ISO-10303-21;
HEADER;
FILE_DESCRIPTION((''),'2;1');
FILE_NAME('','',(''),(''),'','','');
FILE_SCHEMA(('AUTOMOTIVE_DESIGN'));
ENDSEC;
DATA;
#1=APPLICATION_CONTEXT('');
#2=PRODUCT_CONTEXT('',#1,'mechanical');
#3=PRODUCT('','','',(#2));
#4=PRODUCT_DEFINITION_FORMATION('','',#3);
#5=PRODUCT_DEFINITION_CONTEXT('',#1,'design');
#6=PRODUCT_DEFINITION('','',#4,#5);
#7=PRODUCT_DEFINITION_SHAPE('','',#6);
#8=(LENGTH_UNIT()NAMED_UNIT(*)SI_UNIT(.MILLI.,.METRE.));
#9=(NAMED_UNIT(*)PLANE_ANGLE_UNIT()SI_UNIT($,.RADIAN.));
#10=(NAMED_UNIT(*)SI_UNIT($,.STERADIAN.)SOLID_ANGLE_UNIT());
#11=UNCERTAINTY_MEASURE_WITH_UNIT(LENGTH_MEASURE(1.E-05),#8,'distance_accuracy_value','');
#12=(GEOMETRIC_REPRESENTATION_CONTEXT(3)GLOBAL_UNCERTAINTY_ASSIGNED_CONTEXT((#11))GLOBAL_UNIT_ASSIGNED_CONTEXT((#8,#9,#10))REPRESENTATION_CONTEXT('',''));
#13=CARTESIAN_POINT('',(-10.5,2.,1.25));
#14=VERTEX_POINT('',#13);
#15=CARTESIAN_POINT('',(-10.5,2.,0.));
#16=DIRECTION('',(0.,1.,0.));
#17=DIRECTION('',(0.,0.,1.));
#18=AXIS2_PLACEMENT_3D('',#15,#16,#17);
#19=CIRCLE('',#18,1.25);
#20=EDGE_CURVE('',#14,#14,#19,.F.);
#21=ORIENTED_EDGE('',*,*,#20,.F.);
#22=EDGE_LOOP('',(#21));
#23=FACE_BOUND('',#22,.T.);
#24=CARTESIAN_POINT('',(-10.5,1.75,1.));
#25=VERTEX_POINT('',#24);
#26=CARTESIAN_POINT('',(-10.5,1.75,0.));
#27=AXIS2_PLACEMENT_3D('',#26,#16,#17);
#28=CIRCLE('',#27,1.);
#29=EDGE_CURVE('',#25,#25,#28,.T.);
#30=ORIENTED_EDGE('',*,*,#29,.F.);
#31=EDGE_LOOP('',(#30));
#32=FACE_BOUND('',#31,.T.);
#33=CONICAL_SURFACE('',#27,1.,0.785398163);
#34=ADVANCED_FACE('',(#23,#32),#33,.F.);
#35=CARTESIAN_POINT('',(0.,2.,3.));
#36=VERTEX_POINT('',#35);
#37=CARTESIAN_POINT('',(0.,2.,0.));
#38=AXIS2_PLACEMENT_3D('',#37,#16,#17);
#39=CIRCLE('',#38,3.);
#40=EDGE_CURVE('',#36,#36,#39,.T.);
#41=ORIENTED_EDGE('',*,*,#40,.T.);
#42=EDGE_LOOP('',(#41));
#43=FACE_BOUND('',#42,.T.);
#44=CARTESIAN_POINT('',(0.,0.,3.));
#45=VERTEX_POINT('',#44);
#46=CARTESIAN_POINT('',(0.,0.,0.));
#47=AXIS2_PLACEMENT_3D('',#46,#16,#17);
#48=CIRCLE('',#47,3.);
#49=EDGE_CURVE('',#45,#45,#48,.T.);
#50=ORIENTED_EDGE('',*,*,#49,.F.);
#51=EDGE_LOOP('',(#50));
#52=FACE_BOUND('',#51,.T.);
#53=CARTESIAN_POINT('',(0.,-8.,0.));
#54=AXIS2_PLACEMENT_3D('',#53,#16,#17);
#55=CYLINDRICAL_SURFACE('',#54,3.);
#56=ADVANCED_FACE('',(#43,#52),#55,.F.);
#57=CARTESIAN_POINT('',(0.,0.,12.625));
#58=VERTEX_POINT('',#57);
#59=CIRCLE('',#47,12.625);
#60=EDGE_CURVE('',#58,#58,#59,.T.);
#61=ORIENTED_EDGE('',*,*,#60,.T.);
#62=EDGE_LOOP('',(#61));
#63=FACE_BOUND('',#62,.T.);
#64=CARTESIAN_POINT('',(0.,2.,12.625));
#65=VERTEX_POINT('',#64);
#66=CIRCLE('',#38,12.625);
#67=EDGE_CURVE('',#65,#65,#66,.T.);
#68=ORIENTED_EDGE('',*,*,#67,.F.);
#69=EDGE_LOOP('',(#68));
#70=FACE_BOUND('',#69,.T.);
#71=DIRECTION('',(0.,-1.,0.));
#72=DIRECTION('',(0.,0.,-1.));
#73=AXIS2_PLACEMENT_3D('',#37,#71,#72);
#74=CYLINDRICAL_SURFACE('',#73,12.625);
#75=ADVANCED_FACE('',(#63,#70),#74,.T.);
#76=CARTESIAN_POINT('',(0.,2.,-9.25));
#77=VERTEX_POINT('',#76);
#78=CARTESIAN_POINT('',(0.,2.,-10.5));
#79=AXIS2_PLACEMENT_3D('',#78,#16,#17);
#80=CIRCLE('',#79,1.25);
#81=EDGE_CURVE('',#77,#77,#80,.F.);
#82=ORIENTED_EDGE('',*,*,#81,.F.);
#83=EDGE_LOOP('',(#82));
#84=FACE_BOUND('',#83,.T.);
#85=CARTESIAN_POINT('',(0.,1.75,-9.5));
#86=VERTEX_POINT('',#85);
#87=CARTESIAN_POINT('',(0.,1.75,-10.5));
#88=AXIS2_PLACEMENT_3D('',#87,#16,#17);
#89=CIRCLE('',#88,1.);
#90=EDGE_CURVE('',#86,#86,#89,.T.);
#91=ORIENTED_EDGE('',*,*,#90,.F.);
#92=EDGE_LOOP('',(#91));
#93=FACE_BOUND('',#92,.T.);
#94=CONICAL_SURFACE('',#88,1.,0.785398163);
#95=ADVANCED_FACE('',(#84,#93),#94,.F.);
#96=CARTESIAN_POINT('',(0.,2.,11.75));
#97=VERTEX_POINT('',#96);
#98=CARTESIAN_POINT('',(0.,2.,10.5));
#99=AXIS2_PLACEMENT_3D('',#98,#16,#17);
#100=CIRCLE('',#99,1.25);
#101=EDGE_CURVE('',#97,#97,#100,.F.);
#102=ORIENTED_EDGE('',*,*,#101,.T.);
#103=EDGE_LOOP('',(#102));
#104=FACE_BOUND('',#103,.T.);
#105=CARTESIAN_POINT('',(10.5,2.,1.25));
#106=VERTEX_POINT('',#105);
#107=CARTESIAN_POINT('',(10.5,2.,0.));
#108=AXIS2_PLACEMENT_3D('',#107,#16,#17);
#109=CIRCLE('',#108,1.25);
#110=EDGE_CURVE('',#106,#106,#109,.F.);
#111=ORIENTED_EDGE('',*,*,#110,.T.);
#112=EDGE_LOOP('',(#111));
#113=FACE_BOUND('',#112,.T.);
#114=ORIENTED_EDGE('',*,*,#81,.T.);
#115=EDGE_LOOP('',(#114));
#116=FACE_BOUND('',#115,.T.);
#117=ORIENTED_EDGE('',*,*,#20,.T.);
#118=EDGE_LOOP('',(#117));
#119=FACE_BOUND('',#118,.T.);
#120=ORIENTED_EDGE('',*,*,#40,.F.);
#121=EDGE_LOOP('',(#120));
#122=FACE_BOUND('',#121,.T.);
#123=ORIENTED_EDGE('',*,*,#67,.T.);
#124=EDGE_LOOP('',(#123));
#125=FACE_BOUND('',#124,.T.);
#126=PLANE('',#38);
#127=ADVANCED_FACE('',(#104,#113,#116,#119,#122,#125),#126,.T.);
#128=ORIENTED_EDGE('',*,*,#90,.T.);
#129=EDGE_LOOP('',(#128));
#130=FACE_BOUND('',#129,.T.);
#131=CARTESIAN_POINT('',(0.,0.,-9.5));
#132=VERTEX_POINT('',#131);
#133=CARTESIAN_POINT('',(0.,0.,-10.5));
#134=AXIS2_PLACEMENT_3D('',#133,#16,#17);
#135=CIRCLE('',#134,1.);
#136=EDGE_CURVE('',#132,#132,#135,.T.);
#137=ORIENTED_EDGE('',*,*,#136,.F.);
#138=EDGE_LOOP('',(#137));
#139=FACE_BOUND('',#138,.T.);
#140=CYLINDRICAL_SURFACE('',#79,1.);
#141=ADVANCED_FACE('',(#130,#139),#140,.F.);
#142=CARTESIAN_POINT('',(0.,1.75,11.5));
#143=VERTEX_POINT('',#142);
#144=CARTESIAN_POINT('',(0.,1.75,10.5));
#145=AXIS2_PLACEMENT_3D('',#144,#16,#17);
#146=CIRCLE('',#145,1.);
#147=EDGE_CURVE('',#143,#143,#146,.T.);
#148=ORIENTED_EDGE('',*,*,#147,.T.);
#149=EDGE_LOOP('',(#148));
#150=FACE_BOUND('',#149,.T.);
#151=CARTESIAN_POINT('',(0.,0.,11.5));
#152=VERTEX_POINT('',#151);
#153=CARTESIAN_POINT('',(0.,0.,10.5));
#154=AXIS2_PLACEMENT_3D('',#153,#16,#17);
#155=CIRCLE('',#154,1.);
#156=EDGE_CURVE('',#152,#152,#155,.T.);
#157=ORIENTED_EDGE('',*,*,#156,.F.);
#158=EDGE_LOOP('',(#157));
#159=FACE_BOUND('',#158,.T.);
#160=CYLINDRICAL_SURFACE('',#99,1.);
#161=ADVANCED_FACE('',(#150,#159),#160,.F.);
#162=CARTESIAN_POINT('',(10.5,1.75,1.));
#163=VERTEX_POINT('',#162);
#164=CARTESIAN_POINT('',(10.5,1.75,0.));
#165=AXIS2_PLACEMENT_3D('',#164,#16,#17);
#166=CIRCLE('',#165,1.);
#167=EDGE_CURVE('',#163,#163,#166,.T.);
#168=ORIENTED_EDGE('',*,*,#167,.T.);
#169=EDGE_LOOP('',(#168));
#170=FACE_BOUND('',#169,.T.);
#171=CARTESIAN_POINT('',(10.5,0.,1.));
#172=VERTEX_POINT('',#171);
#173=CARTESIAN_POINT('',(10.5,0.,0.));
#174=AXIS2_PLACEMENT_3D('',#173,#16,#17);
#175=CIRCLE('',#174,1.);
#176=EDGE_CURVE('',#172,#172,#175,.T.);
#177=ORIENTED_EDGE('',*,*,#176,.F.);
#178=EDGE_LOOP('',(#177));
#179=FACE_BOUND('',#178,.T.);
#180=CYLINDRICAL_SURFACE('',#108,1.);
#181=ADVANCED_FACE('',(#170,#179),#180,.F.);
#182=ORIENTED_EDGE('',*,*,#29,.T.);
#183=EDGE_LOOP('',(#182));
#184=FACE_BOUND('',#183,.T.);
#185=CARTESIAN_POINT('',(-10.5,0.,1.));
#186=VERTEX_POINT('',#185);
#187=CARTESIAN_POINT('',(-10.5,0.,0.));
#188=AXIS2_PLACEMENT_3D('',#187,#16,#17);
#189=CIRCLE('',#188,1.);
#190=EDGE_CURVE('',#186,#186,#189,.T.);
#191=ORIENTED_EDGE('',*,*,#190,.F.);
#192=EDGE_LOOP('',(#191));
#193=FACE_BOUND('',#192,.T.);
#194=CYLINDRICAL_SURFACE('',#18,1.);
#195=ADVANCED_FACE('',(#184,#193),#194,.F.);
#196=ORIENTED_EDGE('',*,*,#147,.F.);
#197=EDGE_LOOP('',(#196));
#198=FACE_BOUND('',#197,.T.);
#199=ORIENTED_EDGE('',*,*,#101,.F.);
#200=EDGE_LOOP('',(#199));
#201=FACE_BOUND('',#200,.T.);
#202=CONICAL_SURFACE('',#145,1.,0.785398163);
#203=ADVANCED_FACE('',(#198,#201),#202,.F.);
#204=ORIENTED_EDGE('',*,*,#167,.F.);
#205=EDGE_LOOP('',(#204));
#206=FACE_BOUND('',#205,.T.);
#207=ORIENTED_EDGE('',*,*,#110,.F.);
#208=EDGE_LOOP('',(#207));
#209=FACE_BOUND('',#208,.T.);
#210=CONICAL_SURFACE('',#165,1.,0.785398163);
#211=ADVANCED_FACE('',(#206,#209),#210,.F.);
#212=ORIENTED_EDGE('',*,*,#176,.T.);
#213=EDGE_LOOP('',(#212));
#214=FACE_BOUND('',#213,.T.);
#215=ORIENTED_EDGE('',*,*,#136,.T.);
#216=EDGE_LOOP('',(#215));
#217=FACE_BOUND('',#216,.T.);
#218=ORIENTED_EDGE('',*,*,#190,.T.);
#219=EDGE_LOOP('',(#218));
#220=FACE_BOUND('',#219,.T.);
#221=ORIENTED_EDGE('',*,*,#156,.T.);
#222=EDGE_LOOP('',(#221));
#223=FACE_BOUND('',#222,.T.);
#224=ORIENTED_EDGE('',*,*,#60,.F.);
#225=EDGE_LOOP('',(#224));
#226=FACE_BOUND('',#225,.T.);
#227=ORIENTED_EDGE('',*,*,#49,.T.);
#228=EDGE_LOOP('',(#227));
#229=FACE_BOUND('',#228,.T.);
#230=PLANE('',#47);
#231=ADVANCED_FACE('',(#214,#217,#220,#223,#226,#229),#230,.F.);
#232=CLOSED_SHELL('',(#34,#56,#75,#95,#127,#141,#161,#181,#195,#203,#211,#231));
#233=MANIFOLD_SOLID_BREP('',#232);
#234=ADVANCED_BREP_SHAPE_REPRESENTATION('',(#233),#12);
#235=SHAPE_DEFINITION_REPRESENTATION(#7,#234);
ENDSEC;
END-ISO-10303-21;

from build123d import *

# Parameters (mm, degrees)
SKETCH1_R             = 12.625
BOSS_EXTRUDE1_DEPTH   = 2
SKETCH2_R             = 0.5
CUT_EXTRUDE1_DEPTH    = 18.966113937
F_2_0MM_DOWEL_HOLE1_D = 2
CHAMFER1_SIZE         = 0.25
SKETCH4_R             = 3
CUT_EXTRUDE2_DEPTH    = 10


with BuildPart() as part:
    # Sketch1 → Boss-Extrude1 (new body)
    with BuildSketch(Plane(origin=(0, 0, 0), x_dir=(1, 0, 0), z_dir=(0, 1, 0))):
        with Locations(Location((0, 0, 0), (0, 0, 270))):
            Circle(SKETCH1_R)
    extrude(amount=BOSS_EXTRUDE1_DEPTH)

    # Sketch2 → Cut-Extrude1 (cut, through all)
    with BuildSketch(Plane(origin=(0, 2, 0), x_dir=(1, 0, 0), z_dir=(0, 1, 0))):
        with Locations(Location((0, 10.5, 0), (0, 0, 270))):
            Circle(SKETCH2_R)
        with Locations(Location((10.5, 0, 0), (0, 0, 270))):
            Circle(SKETCH2_R)
        with Locations(Location((0, -10.5, 0), (0, 0, 270))):
            Circle(SKETCH2_R)
        with Locations(Location((-10.5, 0, 0), (0, 0, 270))):
            Circle(SKETCH2_R)
    extrude(amount=-CUT_EXTRUDE1_DEPTH, mode=Mode.SUBTRACT)

    # Ø2.0mm Dowel Hole1 (through all)
    with Locations(Plane(origin=(-10.5, 2, 0), x_dir=(0, 0, 1), z_dir=(0, 1, 0))):
        with Locations((0, 0), (-10.5, 10.5), (0, 21), (10.5, 10.5)):
            Hole(F_2_0MM_DOWEL_HOLE1_D / 2)

    # Chamfer1
    chamfer1_edges = [part.edges().sort_by_distance(p)[0] for p in [
        (0, 2, 11.5),
        (10.5, 2, 1),
        (0, 2, -9.5),
        (-10.5, 2, 1),
    ]]
    chamfer(chamfer1_edges, length=CHAMFER1_SIZE)

    # Sketch4 → Cut-Extrude2 (cut)
    with BuildSketch(Plane(origin=(0, 2, 0), x_dir=(1, 0, 0), z_dir=(0, 1, 0))):
        with Locations(Location((0, 0, 0), (0, 0, 270))):
            Circle(SKETCH4_R)
    extrude(amount=-CUT_EXTRUDE2_DEPTH, mode=Mode.SUBTRACT)


solid = part.part
